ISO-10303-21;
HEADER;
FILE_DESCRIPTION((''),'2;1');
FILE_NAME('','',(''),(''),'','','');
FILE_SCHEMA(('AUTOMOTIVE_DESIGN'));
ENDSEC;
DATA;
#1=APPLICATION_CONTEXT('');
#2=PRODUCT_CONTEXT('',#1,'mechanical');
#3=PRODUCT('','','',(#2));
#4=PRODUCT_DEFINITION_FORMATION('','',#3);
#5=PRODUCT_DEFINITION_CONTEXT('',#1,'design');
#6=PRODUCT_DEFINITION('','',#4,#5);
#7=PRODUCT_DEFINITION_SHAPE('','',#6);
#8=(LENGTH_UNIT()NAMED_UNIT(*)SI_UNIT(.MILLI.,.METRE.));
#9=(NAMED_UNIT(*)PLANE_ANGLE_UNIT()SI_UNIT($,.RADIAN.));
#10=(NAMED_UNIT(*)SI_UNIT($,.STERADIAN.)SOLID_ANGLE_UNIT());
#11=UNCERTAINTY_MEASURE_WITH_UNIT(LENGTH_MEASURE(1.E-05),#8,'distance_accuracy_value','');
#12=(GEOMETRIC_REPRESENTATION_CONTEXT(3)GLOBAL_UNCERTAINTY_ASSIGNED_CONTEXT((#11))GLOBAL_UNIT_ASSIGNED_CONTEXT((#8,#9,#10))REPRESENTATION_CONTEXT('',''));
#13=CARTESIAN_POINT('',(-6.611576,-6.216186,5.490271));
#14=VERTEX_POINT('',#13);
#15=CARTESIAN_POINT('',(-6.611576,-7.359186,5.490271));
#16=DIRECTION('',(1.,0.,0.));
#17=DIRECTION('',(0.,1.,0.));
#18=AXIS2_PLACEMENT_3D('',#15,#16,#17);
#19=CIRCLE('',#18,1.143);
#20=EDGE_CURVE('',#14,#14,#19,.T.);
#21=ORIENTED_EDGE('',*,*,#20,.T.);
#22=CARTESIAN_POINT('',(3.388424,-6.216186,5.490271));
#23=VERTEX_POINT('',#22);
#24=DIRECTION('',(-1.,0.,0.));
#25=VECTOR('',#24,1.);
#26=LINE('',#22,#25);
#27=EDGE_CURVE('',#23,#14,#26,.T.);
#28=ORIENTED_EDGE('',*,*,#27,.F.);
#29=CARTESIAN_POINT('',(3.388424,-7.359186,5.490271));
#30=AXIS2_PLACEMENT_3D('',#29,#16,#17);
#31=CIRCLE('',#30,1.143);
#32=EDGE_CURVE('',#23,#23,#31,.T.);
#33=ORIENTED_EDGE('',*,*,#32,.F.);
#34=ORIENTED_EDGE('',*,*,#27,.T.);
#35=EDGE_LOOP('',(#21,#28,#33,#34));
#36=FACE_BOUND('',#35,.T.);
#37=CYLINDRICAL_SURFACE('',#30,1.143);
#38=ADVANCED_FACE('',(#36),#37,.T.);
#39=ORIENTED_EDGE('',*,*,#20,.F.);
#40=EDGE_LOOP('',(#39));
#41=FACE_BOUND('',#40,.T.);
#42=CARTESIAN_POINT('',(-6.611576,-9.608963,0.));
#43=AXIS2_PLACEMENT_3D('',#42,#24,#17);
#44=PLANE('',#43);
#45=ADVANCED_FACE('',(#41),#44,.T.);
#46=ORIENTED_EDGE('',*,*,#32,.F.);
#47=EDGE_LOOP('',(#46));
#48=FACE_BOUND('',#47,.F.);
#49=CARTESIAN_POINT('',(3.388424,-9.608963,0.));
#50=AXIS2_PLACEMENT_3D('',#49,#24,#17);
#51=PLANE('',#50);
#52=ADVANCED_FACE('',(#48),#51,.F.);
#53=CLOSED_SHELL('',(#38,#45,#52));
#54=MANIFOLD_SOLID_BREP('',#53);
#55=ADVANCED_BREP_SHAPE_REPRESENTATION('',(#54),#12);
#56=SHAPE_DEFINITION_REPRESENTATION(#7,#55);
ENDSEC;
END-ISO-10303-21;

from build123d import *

# Parameters (mm, degrees)
F0_W     = 10
F0_H     = 5.08
F1_DEPTH = 12.7
F2_W     = 6.466258
F2_H     = 14.43815
F2_R     = 1.143
F3_DEPTH = 10.001


with BuildPart() as f1:
    # F0 (on Top) → F1 (new body)
    with BuildSketch(Plane.XY):
        with Locations((-1.611576, -7.068963)):
            Rectangle(F0_W, F0_H)
    extrude(amount=F1_DEPTH)

    # F2 (on face) → F3 (cut, through all)
    with BuildSketch(Plane.YZ.offset(3.388424)):
        with Locations((-6.872554, 6.223226)):
            Rectangle(F2_W, F2_H)
        with Locations((-7.359186, 5.490271)):
            Circle(F2_R, mode=Mode.SUBTRACT)
    extrude(amount=-F3_DEPTH, mode=Mode.SUBTRACT)


solid = f1.part
